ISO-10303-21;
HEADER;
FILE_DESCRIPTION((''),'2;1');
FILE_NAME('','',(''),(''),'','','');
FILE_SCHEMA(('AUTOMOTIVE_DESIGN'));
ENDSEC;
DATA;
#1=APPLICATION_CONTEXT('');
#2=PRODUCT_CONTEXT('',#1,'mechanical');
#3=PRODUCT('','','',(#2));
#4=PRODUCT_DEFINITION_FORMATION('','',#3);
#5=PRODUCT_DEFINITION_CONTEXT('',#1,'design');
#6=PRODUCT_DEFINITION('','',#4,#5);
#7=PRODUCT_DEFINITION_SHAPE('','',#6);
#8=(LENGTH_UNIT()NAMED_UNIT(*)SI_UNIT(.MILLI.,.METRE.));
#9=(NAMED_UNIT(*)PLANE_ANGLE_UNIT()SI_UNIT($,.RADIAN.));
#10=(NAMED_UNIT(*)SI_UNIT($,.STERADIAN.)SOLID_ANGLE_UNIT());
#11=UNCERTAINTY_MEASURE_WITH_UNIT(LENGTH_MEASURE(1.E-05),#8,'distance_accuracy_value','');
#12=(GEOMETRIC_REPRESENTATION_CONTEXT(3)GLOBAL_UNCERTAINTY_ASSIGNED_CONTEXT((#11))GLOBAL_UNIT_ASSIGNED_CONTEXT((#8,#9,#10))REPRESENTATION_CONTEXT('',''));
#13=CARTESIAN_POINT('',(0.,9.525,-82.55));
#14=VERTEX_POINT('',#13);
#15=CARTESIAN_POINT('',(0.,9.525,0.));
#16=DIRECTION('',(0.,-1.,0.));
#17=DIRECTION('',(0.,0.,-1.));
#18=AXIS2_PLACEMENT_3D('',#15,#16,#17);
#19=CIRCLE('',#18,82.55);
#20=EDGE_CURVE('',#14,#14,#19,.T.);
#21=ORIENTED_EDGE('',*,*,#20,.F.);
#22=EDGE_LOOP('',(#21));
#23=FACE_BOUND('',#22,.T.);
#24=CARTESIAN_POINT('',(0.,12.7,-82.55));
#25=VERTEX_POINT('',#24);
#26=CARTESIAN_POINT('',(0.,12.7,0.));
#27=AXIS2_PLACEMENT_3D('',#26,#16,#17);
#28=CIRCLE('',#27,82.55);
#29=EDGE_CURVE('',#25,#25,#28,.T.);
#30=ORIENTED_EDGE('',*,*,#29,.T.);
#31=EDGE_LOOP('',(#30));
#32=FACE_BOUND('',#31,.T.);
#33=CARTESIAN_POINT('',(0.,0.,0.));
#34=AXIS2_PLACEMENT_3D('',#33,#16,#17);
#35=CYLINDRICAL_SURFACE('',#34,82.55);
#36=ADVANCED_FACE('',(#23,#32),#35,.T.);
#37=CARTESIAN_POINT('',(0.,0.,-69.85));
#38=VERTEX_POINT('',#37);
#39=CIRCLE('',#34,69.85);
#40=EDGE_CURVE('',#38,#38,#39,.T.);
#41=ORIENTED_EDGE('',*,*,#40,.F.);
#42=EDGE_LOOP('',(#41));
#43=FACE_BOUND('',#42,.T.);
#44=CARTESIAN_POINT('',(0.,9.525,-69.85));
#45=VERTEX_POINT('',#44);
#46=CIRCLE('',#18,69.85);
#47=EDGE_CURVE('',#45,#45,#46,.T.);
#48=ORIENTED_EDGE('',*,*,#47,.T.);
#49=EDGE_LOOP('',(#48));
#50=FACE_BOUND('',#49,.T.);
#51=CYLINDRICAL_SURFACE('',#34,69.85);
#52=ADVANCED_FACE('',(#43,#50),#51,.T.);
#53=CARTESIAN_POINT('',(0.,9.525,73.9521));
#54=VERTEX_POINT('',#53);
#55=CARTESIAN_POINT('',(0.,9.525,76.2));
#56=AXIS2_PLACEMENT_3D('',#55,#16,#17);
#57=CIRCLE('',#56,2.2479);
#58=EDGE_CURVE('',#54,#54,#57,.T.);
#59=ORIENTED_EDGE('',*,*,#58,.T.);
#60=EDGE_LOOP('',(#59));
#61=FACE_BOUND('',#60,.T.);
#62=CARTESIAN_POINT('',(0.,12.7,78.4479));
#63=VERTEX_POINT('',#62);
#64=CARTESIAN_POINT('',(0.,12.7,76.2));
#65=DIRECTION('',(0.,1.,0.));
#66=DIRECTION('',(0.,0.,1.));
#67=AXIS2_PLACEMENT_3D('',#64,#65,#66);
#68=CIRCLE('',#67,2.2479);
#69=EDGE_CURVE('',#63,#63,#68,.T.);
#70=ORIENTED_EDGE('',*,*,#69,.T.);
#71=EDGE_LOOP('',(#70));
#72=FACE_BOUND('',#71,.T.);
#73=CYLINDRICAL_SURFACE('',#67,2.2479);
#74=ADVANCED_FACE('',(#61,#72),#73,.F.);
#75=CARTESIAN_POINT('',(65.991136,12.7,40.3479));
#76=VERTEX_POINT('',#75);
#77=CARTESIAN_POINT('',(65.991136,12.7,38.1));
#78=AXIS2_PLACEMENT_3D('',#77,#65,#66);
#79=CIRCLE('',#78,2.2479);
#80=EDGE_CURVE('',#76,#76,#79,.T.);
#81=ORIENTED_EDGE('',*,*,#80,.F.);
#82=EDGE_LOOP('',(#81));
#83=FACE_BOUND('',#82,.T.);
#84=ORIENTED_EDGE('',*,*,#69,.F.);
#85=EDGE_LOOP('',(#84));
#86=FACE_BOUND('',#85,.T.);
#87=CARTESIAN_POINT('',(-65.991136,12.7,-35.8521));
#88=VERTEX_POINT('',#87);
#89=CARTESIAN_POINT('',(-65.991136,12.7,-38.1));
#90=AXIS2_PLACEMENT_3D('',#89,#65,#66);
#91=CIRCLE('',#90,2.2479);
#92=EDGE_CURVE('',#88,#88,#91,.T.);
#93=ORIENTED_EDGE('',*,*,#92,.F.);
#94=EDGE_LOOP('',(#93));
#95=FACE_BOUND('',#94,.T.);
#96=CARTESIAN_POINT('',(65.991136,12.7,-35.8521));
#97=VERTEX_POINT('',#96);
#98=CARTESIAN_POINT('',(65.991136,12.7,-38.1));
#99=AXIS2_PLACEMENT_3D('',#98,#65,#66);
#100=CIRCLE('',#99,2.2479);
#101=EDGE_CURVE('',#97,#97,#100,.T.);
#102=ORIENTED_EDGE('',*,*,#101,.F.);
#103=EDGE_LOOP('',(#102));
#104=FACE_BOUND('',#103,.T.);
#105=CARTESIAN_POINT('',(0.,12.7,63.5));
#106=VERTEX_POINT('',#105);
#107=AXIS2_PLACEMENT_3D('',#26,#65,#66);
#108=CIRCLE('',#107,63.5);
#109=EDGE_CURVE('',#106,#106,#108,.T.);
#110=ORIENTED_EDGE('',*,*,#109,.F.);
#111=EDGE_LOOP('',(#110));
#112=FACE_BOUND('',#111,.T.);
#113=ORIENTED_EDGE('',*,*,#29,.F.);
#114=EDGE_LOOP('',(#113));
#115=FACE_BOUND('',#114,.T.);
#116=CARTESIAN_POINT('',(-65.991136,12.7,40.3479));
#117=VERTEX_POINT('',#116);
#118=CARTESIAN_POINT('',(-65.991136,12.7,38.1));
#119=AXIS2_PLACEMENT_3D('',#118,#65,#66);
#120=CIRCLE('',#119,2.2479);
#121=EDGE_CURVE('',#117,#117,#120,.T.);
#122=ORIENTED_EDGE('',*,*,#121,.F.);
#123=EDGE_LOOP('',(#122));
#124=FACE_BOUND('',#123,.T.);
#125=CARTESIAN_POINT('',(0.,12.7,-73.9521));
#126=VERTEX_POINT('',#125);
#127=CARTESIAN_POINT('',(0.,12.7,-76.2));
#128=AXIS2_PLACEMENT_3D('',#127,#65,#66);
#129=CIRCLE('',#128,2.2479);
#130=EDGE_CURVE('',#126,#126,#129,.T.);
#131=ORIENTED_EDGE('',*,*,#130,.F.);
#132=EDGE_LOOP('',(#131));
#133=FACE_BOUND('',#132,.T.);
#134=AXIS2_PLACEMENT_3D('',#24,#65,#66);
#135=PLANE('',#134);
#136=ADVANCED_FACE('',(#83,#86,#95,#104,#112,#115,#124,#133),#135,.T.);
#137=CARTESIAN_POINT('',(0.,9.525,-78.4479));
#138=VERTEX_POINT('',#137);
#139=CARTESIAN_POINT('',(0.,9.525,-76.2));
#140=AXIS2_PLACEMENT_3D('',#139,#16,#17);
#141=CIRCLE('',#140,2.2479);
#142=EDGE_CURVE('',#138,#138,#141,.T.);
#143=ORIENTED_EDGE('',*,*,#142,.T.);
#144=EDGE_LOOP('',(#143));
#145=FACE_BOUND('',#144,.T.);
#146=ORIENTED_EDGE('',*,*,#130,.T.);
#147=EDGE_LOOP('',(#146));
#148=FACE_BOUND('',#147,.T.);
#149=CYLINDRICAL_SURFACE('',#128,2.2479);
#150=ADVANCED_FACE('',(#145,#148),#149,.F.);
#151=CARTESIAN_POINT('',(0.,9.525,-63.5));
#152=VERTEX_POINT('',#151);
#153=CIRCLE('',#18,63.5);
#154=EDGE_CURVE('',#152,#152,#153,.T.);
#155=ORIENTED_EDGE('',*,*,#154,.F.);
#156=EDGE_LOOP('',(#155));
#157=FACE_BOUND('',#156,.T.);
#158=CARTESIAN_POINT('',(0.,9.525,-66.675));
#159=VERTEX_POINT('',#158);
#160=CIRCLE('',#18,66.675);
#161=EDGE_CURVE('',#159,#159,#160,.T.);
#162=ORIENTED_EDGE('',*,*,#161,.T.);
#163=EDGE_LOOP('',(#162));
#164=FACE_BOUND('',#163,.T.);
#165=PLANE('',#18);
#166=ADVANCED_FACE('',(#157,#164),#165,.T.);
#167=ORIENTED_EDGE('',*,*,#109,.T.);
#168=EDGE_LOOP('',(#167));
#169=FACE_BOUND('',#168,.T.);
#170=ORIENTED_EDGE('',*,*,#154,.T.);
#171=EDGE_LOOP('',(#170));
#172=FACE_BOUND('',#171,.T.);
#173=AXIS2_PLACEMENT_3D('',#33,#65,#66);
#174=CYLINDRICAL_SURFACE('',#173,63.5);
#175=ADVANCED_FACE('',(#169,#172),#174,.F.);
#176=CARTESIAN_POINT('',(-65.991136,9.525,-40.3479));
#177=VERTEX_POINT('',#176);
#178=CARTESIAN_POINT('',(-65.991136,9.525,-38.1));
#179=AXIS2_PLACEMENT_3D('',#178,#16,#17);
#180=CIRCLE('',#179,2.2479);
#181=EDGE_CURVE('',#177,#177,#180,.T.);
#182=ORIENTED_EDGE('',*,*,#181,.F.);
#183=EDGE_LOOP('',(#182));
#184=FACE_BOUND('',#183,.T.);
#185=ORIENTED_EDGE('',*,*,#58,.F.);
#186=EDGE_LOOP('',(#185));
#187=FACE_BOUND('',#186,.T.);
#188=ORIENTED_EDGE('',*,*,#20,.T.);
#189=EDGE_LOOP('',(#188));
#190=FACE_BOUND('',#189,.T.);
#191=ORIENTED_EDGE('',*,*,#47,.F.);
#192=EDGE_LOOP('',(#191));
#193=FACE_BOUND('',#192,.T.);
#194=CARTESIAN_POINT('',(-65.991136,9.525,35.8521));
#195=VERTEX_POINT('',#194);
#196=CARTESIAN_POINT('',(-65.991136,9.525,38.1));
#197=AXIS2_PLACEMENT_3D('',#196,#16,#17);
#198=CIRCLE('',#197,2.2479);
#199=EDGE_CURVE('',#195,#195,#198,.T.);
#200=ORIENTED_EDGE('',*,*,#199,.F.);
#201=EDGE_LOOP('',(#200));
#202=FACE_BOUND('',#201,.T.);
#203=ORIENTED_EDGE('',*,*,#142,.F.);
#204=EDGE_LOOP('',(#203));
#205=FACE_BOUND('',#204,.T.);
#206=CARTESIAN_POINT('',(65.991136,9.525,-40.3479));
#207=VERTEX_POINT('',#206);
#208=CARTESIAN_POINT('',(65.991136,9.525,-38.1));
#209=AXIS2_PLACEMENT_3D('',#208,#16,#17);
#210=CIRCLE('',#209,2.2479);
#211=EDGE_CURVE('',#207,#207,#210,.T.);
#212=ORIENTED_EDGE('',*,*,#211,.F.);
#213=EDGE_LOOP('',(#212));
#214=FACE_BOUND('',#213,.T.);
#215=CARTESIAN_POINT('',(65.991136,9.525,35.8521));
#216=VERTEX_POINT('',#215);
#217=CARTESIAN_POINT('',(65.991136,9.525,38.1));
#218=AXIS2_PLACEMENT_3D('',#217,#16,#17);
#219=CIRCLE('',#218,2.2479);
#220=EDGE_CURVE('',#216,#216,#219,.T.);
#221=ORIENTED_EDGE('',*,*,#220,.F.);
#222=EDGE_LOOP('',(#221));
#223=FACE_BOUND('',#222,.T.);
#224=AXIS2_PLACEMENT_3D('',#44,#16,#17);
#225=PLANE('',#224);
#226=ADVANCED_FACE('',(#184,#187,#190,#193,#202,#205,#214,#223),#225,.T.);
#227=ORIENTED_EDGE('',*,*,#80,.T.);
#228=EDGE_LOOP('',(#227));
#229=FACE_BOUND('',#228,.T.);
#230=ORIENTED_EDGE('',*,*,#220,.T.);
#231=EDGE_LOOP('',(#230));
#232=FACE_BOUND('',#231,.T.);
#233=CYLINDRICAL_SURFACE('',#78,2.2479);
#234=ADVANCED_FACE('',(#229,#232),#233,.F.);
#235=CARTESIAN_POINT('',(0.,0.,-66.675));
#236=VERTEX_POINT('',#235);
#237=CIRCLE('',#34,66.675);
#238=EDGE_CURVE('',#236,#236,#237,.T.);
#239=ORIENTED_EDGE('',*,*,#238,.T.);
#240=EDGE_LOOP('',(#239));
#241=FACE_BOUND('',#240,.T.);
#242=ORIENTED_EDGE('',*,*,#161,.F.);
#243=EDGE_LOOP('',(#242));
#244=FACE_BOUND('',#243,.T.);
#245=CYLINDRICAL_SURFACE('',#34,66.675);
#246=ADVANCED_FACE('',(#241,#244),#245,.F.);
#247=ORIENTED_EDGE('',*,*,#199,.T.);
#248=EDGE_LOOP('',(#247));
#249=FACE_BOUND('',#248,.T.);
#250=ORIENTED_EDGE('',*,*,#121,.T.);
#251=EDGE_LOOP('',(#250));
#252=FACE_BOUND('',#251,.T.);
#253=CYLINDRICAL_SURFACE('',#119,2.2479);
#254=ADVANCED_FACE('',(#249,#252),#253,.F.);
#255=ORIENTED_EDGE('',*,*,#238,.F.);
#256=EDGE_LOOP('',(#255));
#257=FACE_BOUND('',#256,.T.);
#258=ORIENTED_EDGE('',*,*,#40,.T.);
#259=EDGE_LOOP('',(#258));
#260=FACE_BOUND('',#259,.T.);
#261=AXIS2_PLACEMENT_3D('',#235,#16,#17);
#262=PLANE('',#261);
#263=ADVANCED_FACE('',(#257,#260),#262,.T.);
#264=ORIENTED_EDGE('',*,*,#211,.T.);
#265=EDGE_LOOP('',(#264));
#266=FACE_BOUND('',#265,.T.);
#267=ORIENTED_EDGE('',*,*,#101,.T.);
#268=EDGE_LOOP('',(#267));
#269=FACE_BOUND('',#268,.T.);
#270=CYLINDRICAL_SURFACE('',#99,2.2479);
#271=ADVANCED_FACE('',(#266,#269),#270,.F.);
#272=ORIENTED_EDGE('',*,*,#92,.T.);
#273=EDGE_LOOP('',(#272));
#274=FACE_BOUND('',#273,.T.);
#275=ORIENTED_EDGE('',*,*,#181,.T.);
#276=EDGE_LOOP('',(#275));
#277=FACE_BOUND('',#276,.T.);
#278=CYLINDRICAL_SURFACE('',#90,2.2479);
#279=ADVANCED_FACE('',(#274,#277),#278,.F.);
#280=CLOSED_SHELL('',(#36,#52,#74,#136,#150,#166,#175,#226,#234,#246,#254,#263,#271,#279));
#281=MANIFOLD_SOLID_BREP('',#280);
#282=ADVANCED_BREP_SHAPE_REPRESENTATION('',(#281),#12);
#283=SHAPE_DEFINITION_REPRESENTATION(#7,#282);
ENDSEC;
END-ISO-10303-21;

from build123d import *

# Parameters (mm, degrees)
F_8_CLEARANCE_HOLE1_D     = 4.4958
F_8_CLEARANCE_HOLE1_DEPTH = 3.176
CIRPATTERN1_COUNT         = 6
SKETCH4_R                 = 63.5
CUT_EXTRUDE1_DEPTH        = 13.7


with BuildPart() as part:
    # Sketch1 → Revolve1 (revolve)
    with BuildSketch(Plane(origin=(0, 0, 0), x_dir=(0, 0, -1), z_dir=(1, 0, 0))):
        Polygon((66.675, 0), (69.85, 0), (69.85, 9.525), (82.55, 9.525), (82.55, 12.7), (0, 12.7), (0, 9.525), (66.675, 9.525), align=None)
    revolve(axis=Axis((0, 0, 0), (0, 1, 0)))

    # #8 Clearance Hole1
    with Locations(Plane(origin=(0, 12.7, 0), x_dir=(1, 0, 0), z_dir=(0, 1, 0))):
        with Locations((0, 76.2)):
            f_8_clearance_hole1 = Hole(F_8_CLEARANCE_HOLE1_D / 2, depth=F_8_CLEARANCE_HOLE1_DEPTH)

    # CirPattern1: #8 Clearance Hole1 ×6 about axis
    cirpattern1_axis = Axis((0, 0, 0), (0, 1, 0))
    for i in range(1, CIRPATTERN1_COUNT):
        add(f_8_clearance_hole1.rotate(cirpattern1_axis, i * 360 / CIRPATTERN1_COUNT), mode=Mode.SUBTRACT)

    # Sketch4 → Cut-Extrude1 (cut, through all)
    with BuildSketch(Plane(origin=(0, 12.7, 0), x_dir=(1, 0, 0), z_dir=(0, 1, 0))):
        Circle(SKETCH4_R)
    extrude(amount=-CUT_EXTRUDE1_DEPTH, mode=Mode.SUBTRACT)


solid = part.part
